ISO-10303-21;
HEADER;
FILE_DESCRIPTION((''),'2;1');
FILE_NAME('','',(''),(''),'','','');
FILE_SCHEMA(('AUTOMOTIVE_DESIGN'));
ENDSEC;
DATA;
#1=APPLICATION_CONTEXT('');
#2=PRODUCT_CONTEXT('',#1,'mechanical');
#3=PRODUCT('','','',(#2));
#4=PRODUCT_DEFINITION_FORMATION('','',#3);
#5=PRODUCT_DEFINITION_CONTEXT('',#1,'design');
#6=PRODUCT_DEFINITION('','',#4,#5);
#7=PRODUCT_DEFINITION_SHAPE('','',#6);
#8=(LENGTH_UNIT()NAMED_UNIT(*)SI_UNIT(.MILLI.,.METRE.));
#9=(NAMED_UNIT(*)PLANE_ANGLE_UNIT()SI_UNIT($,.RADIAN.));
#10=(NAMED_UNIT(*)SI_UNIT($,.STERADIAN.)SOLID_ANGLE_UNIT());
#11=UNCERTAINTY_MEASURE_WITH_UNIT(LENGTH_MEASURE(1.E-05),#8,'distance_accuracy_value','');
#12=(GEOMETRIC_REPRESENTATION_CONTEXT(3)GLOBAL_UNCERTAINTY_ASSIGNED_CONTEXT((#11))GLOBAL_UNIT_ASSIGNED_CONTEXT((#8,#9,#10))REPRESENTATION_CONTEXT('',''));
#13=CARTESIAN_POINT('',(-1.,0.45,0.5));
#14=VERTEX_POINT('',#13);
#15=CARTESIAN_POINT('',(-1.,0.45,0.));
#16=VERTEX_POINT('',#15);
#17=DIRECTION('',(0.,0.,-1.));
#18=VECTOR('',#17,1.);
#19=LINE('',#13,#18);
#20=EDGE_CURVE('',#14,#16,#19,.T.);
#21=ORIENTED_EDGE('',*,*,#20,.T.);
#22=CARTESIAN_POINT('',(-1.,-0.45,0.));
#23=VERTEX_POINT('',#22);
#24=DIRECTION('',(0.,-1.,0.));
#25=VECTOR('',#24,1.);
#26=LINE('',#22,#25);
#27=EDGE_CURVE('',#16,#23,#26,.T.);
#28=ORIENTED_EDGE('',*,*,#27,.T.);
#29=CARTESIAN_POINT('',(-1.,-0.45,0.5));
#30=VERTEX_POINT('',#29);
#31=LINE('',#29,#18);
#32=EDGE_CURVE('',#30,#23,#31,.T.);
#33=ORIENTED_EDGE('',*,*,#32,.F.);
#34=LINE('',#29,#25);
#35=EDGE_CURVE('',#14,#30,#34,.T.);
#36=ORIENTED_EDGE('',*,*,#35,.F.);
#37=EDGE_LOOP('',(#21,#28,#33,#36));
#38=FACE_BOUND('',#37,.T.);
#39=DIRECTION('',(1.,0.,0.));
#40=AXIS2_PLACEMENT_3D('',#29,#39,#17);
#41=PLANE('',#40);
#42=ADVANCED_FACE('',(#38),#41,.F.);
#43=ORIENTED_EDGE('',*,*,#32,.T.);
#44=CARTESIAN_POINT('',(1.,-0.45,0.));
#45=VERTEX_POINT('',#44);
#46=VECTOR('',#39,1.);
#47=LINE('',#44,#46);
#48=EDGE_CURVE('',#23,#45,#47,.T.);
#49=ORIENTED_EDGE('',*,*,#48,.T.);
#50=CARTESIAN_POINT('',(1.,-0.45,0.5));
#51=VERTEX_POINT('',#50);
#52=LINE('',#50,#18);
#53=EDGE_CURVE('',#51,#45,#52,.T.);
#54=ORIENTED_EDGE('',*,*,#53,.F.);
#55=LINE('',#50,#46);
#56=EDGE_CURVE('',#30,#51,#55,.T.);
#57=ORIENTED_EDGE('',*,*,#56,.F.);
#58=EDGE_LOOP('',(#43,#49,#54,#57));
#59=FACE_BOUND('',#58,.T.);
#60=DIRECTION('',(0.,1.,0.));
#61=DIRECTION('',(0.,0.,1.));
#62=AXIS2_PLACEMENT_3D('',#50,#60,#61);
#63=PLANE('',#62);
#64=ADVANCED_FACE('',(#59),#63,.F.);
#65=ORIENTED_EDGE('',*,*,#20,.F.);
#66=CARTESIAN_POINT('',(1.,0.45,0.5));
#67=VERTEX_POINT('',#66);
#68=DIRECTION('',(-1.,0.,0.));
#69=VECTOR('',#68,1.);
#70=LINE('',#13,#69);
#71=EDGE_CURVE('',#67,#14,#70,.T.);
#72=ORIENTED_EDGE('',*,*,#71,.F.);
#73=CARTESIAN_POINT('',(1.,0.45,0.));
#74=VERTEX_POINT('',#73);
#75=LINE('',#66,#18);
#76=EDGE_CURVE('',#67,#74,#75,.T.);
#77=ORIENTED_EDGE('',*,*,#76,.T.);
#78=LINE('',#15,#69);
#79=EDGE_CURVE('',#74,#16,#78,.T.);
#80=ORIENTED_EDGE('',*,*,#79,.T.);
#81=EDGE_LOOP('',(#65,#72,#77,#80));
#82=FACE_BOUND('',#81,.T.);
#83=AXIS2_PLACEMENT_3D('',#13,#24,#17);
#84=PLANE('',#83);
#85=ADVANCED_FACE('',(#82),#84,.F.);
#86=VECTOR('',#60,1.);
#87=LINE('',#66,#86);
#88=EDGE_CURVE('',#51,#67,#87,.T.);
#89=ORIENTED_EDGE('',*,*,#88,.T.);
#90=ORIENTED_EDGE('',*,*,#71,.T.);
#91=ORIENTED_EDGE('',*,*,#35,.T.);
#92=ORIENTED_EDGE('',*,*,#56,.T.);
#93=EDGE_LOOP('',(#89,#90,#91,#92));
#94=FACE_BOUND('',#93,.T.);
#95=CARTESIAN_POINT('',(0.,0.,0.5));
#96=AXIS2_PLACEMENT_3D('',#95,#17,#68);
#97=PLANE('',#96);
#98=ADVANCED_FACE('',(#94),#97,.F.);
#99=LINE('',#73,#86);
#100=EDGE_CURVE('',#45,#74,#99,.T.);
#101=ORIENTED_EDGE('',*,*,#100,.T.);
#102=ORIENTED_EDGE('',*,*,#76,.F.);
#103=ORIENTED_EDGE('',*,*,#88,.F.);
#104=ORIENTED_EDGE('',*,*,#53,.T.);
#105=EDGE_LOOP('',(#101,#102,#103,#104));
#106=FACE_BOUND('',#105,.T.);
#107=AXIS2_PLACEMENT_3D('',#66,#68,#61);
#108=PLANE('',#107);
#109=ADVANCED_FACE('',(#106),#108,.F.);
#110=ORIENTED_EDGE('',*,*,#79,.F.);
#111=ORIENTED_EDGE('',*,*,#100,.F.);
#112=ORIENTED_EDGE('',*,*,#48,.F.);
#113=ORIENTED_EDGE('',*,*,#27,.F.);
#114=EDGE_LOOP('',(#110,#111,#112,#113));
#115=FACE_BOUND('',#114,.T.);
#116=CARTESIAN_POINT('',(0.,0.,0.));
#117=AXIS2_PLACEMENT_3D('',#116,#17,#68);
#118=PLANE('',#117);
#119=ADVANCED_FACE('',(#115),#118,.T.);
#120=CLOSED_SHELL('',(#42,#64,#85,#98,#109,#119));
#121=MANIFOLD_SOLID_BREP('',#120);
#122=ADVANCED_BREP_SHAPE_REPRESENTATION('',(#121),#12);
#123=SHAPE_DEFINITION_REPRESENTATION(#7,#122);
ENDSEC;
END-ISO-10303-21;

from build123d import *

# Parameters (mm, degrees)
SKETCH_1_W              = 2
SKETCH_1_H              = 0.9
COMPONENT_OUTLINE_DEPTH = 0.5


with BuildPart() as part:
    # 草图1 → Component_Outline (new body)
    with BuildSketch(Plane.XY):
        Rectangle(SKETCH_1_W, SKETCH_1_H)
    extrude(amount=COMPONENT_OUTLINE_DEPTH)


solid = part.part
